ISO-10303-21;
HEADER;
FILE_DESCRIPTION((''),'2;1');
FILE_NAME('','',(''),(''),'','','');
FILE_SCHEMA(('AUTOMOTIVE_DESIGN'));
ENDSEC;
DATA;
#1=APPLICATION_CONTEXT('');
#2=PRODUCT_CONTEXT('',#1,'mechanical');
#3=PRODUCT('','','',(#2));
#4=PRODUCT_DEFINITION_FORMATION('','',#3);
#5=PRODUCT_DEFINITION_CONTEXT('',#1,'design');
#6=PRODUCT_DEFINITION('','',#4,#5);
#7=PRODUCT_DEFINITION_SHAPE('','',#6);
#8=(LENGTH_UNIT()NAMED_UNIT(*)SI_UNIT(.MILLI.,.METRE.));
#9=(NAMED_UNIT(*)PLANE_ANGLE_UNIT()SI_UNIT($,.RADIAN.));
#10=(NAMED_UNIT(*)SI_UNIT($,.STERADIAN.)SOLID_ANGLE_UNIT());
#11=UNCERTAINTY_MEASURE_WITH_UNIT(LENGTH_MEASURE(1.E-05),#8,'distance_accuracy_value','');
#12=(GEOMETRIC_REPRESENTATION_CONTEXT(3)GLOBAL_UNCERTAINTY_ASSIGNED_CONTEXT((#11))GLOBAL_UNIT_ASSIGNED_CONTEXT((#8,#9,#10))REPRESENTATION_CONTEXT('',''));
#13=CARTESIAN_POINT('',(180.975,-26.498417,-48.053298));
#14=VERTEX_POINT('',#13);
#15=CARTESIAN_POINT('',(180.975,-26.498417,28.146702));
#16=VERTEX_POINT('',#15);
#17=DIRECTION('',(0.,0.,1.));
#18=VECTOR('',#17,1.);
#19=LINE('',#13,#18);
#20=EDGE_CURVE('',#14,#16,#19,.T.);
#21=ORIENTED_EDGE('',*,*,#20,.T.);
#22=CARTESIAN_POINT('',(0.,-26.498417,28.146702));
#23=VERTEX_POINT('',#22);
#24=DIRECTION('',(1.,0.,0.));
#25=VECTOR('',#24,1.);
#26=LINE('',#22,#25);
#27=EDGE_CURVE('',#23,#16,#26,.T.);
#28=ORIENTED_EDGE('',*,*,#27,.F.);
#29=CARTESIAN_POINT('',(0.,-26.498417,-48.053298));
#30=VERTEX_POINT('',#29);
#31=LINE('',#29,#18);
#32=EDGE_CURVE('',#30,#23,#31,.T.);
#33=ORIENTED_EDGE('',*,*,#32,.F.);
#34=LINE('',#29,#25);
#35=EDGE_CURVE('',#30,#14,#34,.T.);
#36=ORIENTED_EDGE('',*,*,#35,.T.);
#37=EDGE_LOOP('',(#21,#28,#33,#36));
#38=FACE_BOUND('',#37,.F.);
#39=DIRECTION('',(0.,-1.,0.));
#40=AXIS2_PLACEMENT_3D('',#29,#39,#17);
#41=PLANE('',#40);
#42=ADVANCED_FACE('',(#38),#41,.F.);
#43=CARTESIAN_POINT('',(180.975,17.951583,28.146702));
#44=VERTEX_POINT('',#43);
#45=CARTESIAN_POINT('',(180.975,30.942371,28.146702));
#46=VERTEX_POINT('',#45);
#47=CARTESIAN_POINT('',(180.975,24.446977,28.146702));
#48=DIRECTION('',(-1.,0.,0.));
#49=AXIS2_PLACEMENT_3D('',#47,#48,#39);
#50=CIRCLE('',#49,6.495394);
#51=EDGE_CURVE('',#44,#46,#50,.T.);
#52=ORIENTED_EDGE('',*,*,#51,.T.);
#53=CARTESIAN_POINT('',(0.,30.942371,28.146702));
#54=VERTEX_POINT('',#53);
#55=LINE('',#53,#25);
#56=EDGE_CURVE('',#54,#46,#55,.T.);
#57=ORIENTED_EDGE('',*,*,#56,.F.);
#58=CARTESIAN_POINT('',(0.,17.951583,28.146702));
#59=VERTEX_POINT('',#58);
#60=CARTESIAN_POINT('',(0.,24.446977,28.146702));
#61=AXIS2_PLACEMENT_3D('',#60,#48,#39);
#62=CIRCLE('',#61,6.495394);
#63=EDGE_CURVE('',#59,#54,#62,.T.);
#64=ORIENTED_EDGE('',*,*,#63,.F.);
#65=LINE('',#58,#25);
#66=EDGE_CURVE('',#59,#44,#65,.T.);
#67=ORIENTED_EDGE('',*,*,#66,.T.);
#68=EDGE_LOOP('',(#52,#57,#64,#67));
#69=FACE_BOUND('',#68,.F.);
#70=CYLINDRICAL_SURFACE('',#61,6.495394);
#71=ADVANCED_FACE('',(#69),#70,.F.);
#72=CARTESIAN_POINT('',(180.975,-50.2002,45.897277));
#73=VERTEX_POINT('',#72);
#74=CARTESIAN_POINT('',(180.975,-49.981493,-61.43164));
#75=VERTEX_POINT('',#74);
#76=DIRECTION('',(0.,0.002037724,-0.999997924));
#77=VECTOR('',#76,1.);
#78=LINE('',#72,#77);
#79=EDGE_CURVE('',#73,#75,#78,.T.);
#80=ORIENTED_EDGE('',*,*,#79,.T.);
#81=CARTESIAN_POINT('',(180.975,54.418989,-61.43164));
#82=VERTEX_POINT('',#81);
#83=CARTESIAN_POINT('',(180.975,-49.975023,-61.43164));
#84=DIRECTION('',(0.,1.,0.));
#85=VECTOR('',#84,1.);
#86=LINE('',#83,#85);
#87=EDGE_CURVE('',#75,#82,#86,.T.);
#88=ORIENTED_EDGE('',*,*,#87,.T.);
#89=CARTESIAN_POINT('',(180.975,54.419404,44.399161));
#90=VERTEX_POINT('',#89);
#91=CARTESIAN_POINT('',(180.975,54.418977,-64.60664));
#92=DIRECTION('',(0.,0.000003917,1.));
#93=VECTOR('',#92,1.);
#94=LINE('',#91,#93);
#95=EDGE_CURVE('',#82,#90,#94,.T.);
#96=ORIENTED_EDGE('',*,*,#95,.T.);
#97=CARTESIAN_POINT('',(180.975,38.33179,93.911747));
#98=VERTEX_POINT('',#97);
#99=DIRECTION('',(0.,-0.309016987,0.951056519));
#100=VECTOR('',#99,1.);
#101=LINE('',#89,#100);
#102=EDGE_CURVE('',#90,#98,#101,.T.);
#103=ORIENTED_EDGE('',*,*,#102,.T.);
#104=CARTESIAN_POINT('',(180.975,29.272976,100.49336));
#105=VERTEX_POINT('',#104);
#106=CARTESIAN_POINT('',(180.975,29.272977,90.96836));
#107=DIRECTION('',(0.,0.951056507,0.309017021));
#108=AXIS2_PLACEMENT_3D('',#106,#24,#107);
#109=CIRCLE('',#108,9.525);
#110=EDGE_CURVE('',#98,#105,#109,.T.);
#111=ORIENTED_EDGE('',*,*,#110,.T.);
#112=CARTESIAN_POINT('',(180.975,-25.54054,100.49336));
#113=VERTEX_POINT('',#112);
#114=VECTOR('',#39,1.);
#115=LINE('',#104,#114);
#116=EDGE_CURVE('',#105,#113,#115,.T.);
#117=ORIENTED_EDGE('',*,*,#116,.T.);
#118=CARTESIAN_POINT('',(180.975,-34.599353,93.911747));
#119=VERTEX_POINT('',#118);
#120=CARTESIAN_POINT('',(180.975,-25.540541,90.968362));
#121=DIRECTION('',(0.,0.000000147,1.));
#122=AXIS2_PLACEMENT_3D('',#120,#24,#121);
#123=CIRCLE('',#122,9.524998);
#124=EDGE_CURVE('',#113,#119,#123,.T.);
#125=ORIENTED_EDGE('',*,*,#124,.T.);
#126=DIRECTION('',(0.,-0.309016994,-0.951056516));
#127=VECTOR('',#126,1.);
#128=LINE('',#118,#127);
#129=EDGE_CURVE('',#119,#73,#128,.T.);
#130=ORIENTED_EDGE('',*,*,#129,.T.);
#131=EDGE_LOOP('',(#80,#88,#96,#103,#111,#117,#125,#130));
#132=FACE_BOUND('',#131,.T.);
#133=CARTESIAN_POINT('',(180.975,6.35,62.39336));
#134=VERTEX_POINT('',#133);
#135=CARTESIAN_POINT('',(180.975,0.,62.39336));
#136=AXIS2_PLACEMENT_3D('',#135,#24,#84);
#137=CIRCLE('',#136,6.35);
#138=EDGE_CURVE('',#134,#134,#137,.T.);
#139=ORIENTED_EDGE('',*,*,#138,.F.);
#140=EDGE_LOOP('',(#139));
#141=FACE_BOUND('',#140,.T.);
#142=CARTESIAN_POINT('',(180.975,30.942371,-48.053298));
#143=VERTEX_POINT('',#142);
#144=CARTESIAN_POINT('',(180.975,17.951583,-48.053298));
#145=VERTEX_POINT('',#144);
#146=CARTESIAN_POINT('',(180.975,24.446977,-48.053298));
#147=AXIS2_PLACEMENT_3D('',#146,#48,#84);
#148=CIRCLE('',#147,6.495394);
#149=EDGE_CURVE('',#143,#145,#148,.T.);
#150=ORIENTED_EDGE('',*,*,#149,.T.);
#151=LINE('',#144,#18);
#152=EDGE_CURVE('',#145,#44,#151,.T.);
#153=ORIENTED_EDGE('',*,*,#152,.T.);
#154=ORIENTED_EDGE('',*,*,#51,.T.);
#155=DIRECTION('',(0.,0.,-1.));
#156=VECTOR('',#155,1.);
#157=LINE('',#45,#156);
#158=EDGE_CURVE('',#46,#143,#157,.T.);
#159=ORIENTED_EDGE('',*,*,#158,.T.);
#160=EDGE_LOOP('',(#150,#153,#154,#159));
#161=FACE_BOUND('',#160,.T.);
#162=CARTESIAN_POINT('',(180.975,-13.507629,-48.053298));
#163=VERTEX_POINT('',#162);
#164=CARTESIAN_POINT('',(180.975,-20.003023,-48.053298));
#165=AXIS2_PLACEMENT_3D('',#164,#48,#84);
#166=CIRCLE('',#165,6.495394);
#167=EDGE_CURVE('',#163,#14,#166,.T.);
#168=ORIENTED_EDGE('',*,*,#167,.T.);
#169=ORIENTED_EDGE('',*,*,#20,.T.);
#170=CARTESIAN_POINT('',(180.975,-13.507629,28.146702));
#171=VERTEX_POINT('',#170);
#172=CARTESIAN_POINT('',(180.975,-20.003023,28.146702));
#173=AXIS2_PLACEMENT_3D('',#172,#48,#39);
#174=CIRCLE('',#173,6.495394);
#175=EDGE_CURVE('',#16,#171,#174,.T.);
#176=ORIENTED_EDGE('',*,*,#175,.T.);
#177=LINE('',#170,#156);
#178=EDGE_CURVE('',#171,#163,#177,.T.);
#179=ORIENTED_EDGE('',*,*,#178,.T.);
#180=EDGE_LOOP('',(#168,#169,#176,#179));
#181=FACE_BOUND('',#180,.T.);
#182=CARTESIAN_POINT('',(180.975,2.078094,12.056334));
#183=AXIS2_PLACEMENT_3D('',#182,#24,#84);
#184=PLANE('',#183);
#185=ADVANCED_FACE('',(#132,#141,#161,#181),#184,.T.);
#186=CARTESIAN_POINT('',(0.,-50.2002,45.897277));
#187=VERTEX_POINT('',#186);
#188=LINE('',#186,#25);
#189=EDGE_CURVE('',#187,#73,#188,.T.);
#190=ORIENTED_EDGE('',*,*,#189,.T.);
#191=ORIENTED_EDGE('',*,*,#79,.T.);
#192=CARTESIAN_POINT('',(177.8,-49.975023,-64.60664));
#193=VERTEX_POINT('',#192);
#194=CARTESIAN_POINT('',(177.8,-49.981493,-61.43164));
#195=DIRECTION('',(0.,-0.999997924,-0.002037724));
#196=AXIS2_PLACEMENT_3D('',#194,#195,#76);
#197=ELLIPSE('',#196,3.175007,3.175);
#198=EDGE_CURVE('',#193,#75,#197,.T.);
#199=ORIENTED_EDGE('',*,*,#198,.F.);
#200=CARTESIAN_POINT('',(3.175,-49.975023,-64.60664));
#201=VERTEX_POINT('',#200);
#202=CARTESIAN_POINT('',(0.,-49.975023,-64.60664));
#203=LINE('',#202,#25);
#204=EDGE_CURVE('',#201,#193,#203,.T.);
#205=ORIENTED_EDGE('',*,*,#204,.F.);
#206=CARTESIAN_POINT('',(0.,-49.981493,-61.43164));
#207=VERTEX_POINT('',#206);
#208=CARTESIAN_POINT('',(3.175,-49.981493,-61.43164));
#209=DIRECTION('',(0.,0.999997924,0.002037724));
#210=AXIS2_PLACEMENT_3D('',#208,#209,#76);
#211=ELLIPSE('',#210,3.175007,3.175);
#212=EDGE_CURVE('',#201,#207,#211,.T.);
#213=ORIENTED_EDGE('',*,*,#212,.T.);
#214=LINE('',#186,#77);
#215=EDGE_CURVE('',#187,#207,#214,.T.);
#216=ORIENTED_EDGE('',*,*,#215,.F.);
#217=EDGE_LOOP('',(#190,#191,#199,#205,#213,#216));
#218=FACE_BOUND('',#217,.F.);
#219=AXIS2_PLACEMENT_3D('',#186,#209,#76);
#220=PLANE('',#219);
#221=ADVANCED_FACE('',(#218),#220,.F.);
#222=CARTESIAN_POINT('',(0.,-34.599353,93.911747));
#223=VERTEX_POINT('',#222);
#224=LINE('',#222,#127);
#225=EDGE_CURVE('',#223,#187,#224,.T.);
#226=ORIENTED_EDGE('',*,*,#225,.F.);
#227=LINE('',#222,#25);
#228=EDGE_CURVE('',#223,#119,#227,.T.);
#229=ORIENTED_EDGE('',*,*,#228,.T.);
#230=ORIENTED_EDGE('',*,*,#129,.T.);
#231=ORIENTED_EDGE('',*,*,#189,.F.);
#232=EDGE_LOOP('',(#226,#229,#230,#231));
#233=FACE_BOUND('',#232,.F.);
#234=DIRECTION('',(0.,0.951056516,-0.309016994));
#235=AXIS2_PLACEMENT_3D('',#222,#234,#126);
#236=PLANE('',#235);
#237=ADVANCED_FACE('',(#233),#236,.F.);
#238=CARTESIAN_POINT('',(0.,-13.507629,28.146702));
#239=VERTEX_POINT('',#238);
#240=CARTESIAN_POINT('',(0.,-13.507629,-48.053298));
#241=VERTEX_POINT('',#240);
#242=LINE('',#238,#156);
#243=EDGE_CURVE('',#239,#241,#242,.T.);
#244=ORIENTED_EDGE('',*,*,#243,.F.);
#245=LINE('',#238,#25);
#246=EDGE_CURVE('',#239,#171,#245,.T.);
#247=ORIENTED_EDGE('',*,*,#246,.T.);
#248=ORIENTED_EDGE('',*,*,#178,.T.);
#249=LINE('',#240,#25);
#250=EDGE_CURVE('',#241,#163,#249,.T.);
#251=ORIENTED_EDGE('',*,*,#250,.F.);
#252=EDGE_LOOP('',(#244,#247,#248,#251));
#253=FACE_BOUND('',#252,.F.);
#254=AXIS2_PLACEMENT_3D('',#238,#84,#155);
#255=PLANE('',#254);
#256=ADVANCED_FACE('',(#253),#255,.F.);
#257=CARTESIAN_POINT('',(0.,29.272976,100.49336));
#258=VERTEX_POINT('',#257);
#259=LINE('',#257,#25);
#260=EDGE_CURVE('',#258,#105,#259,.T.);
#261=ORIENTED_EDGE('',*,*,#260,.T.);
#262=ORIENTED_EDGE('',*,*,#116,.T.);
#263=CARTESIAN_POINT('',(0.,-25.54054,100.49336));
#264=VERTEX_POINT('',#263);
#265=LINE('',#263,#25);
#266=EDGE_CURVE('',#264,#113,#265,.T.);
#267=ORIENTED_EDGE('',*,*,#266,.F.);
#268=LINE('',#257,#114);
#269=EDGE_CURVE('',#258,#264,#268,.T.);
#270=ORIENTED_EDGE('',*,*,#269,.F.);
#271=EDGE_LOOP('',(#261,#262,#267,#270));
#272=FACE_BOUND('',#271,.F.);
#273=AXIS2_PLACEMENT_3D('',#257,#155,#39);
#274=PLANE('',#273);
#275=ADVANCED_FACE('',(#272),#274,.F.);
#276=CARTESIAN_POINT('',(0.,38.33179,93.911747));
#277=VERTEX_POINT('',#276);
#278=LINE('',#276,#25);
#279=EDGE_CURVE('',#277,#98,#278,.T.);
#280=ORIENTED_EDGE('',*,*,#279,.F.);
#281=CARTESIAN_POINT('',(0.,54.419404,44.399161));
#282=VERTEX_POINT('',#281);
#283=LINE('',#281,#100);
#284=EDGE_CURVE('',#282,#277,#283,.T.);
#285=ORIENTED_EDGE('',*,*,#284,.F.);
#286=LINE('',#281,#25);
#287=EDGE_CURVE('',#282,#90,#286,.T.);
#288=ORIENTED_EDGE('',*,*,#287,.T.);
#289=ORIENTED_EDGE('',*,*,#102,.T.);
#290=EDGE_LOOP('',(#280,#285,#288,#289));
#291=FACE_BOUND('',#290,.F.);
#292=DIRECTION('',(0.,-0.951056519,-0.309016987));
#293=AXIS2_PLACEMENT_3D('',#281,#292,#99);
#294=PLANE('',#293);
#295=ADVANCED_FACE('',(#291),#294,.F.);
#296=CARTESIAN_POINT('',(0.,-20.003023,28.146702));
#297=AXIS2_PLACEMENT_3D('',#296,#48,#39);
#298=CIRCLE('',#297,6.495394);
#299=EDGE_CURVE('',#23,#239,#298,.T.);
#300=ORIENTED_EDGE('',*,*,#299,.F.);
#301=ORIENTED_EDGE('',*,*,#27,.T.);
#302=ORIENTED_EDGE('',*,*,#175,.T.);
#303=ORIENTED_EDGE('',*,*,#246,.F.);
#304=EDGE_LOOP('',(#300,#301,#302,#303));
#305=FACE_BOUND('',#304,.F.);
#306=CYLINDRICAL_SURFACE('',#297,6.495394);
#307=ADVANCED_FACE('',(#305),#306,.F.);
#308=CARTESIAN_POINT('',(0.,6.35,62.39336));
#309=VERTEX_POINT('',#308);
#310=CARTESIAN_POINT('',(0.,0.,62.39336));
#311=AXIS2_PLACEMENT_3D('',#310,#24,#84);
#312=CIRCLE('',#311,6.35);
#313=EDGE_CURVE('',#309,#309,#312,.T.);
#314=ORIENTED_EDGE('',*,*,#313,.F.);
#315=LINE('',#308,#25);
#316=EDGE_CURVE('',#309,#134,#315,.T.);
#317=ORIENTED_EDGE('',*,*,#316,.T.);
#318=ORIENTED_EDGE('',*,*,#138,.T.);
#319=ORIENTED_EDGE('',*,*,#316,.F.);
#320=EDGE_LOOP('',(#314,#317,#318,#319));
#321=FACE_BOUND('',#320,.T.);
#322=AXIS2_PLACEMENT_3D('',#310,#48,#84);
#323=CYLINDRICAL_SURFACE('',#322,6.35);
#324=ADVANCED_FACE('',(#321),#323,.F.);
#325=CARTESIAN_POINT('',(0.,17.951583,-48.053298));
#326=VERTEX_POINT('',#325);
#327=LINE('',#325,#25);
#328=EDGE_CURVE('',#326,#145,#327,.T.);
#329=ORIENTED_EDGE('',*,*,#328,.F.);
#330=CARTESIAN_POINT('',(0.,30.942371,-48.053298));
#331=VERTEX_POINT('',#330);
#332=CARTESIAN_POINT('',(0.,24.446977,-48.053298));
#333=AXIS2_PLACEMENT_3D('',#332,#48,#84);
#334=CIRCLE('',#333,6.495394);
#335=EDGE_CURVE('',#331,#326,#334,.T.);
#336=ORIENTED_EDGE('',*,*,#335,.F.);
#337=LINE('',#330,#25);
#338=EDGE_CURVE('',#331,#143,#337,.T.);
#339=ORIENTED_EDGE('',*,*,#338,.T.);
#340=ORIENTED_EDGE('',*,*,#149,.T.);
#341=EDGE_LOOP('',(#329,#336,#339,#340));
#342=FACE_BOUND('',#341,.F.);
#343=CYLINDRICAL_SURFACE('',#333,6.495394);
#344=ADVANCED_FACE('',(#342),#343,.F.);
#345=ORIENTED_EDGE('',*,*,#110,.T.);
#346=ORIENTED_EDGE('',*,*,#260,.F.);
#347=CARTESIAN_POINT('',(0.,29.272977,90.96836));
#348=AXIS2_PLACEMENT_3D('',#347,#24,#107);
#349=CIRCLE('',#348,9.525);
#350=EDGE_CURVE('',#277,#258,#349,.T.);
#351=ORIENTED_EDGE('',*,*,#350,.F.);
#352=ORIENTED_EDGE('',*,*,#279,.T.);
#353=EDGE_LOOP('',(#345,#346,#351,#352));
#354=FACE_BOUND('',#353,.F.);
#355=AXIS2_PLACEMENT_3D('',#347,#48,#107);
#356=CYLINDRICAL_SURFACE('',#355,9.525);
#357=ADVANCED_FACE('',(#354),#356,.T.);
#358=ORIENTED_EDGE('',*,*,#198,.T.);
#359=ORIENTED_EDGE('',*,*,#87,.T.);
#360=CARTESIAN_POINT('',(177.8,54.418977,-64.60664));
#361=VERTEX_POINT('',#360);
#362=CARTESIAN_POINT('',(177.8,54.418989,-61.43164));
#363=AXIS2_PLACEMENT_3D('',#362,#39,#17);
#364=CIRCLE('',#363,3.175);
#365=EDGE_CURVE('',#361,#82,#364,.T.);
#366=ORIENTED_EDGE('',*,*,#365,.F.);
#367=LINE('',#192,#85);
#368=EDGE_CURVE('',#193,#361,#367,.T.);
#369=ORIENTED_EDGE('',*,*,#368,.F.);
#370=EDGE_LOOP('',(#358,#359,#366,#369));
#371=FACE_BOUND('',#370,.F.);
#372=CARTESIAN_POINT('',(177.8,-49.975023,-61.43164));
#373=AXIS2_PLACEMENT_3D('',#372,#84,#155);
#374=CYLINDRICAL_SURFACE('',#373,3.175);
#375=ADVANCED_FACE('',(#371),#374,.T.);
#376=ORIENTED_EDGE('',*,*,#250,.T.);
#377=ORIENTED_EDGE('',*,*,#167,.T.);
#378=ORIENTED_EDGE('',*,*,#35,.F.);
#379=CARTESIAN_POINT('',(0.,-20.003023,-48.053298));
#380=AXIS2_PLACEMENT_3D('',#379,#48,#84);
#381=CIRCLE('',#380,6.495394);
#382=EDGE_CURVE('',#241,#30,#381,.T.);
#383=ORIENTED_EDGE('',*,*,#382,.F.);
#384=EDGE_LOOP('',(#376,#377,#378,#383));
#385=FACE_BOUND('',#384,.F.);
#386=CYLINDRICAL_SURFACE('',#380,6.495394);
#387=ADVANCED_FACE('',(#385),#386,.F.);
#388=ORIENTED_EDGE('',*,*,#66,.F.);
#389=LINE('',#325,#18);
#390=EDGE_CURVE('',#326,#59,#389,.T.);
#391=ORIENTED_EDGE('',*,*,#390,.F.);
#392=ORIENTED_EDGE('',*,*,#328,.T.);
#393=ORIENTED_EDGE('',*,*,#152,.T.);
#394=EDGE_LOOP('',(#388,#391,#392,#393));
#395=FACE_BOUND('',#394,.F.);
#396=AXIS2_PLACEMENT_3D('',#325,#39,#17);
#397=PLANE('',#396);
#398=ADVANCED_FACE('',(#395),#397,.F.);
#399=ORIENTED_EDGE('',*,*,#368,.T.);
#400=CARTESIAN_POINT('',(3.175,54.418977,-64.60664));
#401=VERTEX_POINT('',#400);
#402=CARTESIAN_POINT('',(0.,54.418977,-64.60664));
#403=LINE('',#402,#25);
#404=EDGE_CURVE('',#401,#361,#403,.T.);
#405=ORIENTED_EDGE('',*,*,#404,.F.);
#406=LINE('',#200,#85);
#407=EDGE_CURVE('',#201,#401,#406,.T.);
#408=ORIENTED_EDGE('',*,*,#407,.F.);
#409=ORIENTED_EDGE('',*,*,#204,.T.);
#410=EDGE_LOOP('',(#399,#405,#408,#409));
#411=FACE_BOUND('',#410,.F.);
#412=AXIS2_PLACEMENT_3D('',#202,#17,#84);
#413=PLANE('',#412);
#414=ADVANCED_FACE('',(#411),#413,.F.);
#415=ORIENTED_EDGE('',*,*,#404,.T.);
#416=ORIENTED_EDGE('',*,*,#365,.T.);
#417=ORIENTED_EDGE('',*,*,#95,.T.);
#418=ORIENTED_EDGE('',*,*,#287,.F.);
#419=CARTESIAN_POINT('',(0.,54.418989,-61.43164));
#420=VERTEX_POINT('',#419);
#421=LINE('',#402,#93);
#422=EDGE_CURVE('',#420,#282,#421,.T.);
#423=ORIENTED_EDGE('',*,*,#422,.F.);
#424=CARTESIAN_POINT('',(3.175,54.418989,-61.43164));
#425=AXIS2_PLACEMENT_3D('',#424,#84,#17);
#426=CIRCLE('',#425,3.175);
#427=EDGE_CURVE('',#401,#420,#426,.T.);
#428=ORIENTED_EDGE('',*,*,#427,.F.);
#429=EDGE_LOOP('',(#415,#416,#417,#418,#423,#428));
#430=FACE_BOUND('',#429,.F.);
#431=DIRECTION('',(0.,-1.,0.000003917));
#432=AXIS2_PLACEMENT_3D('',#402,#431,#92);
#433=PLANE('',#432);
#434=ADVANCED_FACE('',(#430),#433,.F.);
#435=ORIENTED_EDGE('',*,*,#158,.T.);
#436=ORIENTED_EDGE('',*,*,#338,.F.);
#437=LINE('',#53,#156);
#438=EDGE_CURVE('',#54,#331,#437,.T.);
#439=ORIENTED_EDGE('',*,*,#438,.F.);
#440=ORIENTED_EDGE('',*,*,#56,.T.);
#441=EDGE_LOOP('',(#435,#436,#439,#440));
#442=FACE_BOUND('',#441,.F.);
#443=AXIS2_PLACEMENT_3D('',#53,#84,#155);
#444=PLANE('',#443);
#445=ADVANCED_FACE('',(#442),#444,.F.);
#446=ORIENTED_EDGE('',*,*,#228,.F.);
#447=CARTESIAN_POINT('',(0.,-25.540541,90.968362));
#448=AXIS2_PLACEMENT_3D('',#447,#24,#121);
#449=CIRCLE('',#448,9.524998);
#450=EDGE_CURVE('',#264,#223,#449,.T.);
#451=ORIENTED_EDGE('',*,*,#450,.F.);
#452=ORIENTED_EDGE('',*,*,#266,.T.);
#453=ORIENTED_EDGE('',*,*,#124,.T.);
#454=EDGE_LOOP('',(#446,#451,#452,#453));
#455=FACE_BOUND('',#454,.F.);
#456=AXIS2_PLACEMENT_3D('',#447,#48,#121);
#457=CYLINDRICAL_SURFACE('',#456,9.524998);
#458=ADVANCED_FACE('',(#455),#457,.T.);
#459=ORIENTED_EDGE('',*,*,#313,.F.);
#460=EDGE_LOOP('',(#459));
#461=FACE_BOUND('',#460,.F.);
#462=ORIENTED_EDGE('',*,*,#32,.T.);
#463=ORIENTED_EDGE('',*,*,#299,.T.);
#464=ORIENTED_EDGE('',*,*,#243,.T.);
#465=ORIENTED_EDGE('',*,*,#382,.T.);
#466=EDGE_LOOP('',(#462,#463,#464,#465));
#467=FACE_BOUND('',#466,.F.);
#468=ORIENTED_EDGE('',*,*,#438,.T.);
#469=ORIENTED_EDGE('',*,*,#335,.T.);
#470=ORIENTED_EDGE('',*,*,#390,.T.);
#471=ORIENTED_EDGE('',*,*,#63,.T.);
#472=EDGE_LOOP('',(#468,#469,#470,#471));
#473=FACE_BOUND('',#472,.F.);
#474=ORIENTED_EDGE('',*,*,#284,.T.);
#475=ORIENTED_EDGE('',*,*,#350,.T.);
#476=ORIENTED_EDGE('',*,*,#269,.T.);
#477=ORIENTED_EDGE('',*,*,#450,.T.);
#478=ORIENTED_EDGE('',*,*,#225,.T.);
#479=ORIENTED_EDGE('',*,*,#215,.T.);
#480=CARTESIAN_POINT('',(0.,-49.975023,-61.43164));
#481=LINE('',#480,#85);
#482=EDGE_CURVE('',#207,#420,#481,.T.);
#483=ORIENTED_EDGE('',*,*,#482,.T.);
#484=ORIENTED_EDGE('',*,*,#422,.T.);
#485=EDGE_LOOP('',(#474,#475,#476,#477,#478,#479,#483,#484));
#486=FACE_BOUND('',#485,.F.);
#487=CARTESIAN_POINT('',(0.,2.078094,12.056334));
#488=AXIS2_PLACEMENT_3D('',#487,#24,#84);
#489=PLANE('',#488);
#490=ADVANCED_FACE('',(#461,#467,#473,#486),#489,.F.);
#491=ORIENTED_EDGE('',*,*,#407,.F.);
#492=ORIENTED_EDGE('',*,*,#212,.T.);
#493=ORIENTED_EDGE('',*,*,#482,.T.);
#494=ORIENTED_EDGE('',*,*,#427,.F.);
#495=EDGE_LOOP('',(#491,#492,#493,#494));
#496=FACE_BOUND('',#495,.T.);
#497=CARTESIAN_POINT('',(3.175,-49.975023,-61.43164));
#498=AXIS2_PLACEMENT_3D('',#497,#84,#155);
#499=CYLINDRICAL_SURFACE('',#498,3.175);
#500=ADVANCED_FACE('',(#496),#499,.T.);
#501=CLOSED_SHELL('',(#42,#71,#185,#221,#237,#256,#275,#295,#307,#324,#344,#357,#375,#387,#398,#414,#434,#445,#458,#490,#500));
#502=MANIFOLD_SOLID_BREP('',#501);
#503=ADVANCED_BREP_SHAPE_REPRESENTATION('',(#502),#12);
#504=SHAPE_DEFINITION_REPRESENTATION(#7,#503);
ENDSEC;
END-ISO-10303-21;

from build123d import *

# Parameters (mm, degrees)
F0_R     = 6.35
F1_DEPTH = 180.975
F2_R     = 3.175


with BuildPart() as f1:
    # F0 (on Right) → F1 (new body)
    with BuildSketch(Plane.YZ):
        with BuildLine():
            Line((-50.2002, 45.897277), (-49.975023, -64.60664))
            Line((-49.975023, -64.60664), (54.418977, -64.60664))
            Line((54.418977, -64.60664), (54.419404, 44.399161))
            Line((54.419404, 44.399161), (38.33179, 93.911747))
            ThreePointArc((38.33179, 93.911747), (34.871631, 98.674247), (29.272976, 100.49336))
            Line((29.272976, 100.49336), (-25.54054, 100.49336))
            ThreePointArc((-25.54054, 100.49336), (-31.139195, 98.674247), (-34.599353, 93.911747))
            Line((-34.599353, 93.911747), (-50.2002, 45.897277))
        make_face()
        with BuildLine():
            ThreePointArc((-13.507629, -48.053298), (-20.003023, -54.548692), (-26.498417, -48.053298))
            Line((-26.498417, -48.053298), (-26.498417, 28.146702))
            ThreePointArc((-26.498417, 28.146702), (-20.003023, 34.642096), (-13.507629, 28.146702))
            Line((-13.507629, 28.146702), (-13.507629, -48.053298))
        make_face(mode=Mode.SUBTRACT)
        with BuildLine():
            ThreePointArc((30.942371, -48.053298), (24.446977, -54.548692), (17.951583, -48.053298))
            Line((17.951583, -48.053298), (17.951583, 28.146702))
            ThreePointArc((17.951583, 28.146702), (24.446977, 34.642096), (30.942371, 28.146702))
            Line((30.942371, 28.146702), (30.942371, -48.053298))
        make_face(mode=Mode.SUBTRACT)
        with Locations((0, 62.39336)):
            Circle(F0_R, mode=Mode.SUBTRACT)
    extrude(amount=F1_DEPTH)

    # F2
    f2_edges = [f1.edges().sort_by_distance(p)[0] for p in [
        (0, 2.221977, -64.60664),
        (180.975, 2.221977, -64.60664),
    ]]
    fillet(f2_edges, radius=F2_R)


solid = f1.part
